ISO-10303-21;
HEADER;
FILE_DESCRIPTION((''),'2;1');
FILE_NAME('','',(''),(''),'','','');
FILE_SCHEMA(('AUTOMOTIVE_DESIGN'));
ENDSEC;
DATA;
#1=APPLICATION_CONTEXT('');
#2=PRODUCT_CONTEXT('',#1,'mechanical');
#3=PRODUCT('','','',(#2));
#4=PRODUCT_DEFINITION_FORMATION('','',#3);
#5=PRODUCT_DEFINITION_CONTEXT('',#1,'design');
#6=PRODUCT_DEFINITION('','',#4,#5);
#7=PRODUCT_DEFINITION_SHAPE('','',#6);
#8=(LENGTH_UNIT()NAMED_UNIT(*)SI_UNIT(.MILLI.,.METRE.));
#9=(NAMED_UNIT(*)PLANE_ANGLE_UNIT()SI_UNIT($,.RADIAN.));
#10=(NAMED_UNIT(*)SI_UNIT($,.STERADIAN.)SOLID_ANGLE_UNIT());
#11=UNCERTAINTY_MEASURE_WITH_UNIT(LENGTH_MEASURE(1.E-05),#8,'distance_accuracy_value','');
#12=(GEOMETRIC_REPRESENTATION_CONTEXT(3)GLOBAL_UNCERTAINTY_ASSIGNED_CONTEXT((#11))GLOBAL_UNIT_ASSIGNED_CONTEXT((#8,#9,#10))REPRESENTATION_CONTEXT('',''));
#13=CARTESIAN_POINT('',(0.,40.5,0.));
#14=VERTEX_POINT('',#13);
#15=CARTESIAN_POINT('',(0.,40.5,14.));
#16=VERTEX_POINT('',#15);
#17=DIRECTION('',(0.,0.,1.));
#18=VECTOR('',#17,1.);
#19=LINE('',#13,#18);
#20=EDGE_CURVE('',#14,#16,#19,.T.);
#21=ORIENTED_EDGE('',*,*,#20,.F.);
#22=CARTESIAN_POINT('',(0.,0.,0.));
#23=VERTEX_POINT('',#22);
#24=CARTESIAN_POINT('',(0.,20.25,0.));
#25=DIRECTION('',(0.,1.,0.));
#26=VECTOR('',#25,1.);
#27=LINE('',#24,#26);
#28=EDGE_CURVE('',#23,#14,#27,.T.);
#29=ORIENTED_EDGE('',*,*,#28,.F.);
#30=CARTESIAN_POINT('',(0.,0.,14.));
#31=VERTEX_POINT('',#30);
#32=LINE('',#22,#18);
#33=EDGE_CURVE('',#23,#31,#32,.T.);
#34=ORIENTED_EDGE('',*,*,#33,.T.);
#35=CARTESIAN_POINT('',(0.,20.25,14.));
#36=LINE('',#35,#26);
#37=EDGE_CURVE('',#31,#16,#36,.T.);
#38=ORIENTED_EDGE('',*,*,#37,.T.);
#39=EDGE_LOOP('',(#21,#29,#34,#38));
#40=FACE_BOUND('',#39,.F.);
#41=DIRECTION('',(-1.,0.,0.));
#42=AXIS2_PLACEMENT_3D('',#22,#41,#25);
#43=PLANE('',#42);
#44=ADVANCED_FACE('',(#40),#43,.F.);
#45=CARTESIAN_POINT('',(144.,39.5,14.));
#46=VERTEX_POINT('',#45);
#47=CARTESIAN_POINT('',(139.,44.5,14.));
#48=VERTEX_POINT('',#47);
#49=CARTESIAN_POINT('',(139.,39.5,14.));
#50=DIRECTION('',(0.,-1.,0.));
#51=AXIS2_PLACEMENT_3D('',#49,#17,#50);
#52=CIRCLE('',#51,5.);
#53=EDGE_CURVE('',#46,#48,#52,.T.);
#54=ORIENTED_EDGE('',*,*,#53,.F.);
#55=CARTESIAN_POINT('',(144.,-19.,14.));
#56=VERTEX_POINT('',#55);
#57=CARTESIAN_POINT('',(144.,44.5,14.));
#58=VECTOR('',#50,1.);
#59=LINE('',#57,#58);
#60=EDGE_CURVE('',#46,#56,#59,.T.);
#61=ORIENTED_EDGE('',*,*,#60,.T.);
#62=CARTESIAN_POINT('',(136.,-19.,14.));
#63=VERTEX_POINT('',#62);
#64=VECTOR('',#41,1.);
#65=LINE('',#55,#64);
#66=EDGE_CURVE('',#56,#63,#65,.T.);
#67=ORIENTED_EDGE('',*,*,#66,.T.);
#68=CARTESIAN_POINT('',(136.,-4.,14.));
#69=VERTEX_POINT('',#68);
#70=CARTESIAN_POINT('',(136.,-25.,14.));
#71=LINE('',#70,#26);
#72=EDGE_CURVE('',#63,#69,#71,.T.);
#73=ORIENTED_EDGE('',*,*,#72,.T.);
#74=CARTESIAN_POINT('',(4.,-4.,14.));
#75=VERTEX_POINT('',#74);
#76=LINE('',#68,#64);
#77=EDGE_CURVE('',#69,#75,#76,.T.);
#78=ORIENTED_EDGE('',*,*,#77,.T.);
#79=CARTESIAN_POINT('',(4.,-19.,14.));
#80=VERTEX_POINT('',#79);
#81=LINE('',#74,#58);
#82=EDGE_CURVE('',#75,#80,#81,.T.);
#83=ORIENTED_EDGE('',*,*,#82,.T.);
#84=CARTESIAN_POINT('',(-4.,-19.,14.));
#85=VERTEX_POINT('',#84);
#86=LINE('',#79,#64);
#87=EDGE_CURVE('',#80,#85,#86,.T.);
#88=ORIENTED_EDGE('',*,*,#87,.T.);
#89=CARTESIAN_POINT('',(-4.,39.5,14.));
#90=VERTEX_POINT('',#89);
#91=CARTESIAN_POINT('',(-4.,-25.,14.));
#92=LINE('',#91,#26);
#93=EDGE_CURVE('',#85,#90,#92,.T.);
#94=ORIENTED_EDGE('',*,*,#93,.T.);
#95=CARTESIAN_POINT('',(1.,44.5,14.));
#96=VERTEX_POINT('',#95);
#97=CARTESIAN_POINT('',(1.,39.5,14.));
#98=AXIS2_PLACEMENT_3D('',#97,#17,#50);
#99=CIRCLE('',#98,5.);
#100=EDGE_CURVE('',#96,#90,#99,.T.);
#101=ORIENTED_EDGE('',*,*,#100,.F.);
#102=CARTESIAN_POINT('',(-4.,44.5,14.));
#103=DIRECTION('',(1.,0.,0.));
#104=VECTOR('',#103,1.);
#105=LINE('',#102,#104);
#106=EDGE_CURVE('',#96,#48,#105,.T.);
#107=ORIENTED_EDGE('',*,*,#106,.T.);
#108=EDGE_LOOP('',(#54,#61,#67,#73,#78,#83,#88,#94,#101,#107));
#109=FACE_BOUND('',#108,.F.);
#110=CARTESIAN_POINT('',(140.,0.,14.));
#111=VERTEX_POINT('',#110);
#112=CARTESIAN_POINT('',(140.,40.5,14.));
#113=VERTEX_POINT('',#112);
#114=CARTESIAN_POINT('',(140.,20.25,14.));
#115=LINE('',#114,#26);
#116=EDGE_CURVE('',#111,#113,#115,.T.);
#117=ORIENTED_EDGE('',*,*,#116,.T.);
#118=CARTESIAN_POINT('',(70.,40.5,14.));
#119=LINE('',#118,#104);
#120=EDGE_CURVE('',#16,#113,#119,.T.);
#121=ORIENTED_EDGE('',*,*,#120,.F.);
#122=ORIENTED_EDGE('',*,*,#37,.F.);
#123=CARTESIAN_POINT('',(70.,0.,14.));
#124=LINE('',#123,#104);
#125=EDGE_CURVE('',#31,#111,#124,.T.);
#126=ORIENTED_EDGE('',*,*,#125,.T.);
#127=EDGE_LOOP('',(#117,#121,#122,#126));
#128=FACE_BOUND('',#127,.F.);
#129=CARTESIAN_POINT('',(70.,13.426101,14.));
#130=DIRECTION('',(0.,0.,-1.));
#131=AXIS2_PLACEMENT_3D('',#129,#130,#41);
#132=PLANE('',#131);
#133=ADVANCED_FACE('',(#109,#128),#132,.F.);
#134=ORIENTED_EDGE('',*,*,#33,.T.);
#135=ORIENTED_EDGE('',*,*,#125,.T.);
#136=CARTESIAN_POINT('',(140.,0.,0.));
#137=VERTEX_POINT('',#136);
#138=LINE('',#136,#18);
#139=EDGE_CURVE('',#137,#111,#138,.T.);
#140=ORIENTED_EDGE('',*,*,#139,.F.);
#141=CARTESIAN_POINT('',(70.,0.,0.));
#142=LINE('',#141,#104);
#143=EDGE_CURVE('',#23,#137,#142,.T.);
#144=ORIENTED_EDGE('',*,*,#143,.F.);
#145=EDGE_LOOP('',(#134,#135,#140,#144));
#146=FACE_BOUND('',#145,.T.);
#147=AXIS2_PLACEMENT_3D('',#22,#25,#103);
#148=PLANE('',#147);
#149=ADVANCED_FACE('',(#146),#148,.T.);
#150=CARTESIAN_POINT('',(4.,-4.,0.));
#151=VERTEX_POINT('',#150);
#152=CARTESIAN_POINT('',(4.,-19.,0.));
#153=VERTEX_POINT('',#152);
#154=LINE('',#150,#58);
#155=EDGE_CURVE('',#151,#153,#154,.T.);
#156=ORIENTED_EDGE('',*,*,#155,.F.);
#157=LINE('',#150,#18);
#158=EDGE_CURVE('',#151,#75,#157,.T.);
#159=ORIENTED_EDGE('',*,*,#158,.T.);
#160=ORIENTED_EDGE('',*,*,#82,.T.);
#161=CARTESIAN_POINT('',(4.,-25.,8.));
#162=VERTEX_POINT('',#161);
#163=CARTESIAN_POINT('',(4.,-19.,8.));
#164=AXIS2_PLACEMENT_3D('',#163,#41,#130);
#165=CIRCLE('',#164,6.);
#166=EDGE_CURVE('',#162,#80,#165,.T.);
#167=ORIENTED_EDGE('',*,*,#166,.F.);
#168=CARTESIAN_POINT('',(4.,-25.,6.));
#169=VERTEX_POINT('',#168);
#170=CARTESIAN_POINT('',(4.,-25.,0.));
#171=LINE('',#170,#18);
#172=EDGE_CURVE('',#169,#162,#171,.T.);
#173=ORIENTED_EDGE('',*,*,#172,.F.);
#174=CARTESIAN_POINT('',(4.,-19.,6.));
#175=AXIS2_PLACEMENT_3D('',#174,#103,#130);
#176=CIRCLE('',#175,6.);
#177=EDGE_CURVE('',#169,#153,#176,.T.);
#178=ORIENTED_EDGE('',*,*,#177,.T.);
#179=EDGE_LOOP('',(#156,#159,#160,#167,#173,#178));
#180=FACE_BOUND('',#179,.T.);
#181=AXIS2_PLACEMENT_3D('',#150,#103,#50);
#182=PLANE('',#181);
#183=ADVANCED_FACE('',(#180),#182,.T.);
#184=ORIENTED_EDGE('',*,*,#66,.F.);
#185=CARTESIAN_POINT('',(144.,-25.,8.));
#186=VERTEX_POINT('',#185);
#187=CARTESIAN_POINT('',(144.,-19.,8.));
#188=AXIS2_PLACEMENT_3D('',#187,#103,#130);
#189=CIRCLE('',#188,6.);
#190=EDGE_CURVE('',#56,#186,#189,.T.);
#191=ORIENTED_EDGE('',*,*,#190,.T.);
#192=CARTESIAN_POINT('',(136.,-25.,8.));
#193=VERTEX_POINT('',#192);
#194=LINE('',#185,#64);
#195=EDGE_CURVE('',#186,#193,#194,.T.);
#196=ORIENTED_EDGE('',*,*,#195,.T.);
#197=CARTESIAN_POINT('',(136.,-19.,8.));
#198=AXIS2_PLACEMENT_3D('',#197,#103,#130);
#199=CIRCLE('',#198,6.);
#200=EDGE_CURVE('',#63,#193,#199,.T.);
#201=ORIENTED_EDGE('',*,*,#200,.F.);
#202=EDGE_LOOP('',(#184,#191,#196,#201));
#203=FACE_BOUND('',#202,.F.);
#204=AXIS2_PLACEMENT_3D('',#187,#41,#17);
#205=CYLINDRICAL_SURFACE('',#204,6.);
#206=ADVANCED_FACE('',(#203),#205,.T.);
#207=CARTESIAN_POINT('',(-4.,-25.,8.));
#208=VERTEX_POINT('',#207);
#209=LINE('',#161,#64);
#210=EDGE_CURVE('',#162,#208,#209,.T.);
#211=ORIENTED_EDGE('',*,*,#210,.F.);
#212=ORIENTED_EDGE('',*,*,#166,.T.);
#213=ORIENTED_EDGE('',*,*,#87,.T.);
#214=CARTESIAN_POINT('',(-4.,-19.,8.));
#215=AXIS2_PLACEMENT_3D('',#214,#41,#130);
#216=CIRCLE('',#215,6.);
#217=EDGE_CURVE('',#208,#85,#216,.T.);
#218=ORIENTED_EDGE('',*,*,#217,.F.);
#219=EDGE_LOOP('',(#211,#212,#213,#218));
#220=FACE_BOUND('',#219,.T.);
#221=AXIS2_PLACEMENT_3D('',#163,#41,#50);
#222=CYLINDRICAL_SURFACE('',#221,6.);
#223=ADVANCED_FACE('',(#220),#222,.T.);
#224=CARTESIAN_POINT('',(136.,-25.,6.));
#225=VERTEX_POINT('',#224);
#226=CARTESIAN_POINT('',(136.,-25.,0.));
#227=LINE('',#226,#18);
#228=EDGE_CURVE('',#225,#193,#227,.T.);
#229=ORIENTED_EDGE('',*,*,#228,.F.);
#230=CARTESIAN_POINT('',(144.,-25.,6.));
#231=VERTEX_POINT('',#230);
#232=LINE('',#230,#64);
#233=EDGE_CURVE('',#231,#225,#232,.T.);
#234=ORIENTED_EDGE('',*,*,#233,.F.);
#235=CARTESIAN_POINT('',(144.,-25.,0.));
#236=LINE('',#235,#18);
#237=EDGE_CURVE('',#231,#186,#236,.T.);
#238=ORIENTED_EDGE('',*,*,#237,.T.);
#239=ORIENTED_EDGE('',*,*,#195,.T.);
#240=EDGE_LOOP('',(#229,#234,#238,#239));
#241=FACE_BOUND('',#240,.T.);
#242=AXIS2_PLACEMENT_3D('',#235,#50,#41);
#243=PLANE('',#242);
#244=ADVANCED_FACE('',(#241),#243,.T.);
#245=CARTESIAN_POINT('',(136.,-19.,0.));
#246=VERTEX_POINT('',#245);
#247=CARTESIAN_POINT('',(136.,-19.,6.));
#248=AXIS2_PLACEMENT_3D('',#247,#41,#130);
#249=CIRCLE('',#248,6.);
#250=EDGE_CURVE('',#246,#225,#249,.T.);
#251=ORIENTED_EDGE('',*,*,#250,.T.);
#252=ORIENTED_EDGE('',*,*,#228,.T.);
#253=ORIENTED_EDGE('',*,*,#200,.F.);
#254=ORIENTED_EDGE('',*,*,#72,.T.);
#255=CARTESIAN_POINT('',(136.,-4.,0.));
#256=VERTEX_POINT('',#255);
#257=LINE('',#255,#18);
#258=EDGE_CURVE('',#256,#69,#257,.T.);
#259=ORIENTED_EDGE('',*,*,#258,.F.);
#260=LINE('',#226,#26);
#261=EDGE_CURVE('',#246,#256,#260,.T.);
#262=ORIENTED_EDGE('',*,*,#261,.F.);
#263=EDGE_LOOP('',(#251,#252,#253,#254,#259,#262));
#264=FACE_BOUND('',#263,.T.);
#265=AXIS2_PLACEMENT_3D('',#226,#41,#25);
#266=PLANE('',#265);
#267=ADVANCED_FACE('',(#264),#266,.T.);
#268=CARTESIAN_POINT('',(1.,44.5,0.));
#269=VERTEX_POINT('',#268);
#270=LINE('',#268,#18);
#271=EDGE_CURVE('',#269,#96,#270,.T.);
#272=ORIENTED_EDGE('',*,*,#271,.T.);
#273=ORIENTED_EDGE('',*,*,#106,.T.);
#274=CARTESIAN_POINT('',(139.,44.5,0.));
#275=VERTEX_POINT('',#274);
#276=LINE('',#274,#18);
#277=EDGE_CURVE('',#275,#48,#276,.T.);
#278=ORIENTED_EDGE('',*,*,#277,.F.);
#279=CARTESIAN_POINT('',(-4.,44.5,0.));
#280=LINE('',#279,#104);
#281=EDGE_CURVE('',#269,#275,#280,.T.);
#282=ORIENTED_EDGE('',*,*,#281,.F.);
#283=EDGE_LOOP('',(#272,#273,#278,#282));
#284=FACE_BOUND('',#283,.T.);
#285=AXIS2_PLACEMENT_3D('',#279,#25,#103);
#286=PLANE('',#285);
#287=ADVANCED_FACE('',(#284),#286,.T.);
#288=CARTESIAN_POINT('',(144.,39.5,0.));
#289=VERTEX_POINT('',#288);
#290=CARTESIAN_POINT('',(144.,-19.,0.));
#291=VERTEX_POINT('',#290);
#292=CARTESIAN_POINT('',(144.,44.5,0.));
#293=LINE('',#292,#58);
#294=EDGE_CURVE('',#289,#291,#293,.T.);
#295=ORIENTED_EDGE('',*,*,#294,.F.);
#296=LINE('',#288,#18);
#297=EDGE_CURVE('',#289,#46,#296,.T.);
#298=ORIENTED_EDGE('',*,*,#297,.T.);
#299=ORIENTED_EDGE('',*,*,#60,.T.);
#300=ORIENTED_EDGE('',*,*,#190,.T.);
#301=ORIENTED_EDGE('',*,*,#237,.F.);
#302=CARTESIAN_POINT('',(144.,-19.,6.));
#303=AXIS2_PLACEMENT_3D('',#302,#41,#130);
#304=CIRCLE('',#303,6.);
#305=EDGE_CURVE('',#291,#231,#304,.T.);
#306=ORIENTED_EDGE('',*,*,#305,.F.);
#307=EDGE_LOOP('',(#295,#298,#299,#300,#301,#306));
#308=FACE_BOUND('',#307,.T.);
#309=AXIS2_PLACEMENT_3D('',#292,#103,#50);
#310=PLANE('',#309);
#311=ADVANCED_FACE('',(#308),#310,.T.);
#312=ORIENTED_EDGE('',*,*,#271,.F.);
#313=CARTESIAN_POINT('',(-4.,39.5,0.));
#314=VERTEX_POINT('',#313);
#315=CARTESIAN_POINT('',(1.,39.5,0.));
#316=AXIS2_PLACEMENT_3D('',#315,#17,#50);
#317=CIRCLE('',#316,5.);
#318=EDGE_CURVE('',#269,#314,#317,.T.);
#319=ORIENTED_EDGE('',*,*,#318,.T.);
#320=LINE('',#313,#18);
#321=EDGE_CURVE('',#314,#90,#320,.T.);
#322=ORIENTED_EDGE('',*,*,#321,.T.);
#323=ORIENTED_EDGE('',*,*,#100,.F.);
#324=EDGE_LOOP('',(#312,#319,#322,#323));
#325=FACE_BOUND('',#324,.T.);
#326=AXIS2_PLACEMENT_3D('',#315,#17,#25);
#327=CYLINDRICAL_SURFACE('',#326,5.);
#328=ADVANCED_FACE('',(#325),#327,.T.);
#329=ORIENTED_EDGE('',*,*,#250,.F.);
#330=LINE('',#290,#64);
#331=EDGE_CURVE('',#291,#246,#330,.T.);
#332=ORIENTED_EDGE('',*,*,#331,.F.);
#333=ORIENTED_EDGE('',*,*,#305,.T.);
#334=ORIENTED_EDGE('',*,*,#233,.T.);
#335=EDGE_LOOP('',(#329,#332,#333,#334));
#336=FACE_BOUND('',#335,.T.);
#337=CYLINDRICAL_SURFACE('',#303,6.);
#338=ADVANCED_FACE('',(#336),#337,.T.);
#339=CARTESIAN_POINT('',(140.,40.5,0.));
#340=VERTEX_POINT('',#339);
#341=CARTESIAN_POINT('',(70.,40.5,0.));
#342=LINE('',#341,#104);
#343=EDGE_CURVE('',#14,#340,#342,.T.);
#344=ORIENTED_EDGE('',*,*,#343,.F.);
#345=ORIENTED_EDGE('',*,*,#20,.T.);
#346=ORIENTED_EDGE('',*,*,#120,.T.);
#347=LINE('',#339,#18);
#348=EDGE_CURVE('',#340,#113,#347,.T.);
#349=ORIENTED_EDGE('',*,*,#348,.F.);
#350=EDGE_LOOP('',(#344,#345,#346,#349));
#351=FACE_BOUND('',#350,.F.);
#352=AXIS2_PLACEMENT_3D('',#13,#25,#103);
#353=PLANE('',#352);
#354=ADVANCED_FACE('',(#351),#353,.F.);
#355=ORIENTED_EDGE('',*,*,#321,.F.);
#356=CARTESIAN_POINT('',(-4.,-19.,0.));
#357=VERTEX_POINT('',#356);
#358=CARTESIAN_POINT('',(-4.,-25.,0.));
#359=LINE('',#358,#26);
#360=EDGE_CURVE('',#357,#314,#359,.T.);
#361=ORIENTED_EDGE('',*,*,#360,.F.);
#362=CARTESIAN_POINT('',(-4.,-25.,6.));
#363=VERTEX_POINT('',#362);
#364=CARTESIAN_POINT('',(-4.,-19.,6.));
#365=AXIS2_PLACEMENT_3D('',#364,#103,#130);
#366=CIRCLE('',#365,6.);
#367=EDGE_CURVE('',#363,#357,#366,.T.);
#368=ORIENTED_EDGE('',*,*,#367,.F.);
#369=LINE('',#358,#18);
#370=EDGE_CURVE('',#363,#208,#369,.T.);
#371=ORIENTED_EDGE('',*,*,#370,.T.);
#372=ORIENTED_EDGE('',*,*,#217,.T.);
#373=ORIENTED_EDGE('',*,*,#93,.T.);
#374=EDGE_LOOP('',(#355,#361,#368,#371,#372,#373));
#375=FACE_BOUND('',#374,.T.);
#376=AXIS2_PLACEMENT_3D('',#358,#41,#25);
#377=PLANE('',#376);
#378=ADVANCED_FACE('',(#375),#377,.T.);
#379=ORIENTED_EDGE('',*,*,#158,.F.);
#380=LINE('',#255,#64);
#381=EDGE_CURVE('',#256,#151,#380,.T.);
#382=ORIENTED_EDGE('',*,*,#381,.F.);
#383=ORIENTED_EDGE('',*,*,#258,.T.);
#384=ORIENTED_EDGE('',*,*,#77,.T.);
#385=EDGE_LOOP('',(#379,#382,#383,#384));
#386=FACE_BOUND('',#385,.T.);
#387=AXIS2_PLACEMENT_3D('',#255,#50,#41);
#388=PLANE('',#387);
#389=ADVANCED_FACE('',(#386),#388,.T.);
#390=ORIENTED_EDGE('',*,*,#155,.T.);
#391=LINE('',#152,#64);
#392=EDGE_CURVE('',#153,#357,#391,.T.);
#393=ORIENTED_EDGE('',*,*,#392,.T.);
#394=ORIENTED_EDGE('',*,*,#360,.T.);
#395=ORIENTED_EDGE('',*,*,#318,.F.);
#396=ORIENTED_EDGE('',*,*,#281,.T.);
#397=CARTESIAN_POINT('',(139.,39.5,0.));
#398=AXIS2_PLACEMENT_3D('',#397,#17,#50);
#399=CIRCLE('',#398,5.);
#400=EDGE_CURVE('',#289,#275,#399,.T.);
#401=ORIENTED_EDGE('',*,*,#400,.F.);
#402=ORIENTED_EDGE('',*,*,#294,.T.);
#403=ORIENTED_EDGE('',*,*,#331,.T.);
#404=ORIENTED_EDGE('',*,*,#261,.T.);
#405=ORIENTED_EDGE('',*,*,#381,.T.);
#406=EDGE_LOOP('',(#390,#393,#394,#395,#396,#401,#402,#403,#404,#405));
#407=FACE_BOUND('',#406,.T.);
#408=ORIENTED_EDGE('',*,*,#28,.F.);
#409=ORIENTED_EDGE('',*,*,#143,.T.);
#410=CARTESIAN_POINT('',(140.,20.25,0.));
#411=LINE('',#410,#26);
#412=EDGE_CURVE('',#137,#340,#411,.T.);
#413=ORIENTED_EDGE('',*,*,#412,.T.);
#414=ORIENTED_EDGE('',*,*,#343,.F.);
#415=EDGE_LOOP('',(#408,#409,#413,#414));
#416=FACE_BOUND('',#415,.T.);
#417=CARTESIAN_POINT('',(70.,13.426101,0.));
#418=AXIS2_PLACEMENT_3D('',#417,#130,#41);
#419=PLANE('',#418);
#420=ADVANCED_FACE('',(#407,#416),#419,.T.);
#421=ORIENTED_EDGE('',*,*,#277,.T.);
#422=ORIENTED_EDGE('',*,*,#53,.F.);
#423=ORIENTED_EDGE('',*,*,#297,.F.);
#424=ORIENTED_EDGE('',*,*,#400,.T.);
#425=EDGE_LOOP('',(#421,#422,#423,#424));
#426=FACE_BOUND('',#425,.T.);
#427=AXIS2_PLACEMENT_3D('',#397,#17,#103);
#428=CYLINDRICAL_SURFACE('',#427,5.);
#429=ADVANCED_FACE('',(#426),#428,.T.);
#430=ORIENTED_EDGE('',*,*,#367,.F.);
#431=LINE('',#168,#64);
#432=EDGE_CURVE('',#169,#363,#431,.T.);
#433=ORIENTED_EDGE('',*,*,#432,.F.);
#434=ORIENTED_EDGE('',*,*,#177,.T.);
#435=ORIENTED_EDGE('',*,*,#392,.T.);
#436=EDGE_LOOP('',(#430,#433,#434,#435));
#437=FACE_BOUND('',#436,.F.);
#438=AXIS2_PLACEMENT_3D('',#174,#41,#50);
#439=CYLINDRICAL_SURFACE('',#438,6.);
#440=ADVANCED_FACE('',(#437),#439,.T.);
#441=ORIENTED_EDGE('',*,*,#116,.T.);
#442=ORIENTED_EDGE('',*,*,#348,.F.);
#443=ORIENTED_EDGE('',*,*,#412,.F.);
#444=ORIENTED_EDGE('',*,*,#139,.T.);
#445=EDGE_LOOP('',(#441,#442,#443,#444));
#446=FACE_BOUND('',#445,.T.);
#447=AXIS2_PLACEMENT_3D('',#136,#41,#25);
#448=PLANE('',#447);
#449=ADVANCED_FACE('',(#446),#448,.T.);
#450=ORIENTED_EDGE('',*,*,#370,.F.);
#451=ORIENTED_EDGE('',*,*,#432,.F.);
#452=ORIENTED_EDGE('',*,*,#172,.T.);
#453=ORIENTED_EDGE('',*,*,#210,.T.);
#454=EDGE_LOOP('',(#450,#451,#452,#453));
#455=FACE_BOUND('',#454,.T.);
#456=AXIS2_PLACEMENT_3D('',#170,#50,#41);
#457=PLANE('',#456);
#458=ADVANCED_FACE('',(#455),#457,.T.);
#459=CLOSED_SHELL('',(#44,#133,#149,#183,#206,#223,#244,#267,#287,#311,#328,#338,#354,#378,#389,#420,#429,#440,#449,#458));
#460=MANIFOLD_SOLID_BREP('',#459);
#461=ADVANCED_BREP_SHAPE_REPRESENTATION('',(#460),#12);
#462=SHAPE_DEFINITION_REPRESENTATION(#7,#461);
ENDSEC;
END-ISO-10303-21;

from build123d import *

# Parameters (mm, degrees)
SKETCH_W    = 140
SKETCH_H    = 40.5
PAD_DEPTH   = 14
FILLET_R    = 6
FILLET001_R = 6
FILLET002_R = 5


with BuildPart() as part:
    # Sketch → Pad (new body)
    with BuildSketch(Plane.XY):
        Polygon((-4, 44.5), (144, 44.5), (144, -25), (136, -25), (136, -4), (4, -4), (4, -25), (-4, -25), align=None)
        with Locations((70, 20.25)):
            Rectangle(SKETCH_W, SKETCH_H, mode=Mode.SUBTRACT)
    extrude(amount=PAD_DEPTH)

    # Fillet
    fillet_edges = [part.edges().sort_by_distance(p)[0] for p in [
        (0, -25, 14),
        (0, -25, 0),
    ]]
    fillet(fillet_edges, radius=FILLET_R)

    # Fillet001
    fillet001_edges = [part.edges().sort_by_distance(p)[0] for p in [
        (140, -25, 0),
        (140, -25, 14),
    ]]
    fillet(fillet001_edges, radius=FILLET001_R)

    # Fillet002
    fillet002_edges = [part.edges().sort_by_distance(p)[0] for p in [
        (-4, 44.5, 7),
        (144, 44.5, 7),
    ]]
    fillet(fillet002_edges, radius=FILLET002_R)


solid = part.part
